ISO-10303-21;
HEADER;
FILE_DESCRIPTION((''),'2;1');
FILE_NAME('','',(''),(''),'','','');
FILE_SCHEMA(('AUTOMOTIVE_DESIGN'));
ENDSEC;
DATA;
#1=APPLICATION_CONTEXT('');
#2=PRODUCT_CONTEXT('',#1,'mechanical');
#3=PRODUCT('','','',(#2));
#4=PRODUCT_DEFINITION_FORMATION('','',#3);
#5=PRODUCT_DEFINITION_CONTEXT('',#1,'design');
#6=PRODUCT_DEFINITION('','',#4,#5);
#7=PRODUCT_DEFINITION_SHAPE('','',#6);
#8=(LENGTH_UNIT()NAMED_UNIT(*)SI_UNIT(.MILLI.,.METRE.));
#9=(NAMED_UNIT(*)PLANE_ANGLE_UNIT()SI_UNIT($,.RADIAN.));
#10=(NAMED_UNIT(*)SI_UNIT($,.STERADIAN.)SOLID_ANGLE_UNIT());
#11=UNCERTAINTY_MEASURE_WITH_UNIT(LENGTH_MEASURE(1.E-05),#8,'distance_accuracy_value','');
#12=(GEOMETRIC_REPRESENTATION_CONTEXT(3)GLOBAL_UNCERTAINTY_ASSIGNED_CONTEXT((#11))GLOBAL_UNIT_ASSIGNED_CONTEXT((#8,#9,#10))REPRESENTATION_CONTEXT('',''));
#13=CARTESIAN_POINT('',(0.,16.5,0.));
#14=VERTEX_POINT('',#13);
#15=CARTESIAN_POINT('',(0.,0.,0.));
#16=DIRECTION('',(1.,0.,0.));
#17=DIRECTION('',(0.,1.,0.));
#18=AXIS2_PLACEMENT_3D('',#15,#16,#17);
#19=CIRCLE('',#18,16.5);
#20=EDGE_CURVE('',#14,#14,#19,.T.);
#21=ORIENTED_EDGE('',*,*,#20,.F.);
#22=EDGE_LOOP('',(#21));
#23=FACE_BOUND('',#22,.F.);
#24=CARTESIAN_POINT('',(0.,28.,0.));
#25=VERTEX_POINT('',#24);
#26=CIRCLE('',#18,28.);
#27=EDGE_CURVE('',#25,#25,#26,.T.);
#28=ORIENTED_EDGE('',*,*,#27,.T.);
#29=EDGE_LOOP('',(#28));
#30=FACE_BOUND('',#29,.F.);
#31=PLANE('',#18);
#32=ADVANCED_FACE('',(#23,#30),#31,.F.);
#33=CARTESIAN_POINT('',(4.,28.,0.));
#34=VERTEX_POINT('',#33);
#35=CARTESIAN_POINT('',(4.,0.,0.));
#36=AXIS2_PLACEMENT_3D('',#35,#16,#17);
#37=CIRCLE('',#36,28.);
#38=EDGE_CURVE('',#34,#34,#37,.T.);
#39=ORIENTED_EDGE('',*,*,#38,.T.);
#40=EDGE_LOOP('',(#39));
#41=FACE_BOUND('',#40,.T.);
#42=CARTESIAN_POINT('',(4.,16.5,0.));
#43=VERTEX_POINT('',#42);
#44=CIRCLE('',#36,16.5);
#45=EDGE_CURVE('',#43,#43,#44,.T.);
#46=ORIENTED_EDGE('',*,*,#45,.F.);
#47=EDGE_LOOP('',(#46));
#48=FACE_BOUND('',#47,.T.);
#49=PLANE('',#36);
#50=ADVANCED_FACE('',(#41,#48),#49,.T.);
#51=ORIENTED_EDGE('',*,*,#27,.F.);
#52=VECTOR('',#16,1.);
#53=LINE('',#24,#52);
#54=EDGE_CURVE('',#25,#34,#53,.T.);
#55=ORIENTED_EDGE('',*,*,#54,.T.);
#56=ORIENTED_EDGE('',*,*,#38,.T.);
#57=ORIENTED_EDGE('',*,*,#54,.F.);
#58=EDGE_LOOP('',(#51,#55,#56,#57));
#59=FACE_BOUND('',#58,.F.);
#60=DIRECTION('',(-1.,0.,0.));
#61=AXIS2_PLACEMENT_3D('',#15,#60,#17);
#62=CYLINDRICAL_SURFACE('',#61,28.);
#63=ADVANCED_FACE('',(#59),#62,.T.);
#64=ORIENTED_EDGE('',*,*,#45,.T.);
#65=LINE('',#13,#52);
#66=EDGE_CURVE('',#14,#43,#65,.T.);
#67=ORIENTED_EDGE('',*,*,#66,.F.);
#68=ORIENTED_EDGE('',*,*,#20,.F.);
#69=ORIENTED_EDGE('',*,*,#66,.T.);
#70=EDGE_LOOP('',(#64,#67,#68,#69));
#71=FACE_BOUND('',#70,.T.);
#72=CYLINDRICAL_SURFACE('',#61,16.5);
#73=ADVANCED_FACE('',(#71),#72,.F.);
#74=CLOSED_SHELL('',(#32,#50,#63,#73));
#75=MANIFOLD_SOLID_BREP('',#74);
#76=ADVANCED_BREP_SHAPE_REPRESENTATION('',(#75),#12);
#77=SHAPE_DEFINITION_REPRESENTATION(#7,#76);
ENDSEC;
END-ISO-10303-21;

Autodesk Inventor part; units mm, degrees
ref_plane "YZ Plane" through (0, 0, 0) normal (1, 0, 0) x (0, 1, 0)
ref_plane "XZ Plane" through (0, 0, 0) normal (0, 1, 0) x (-1, 0, 0)
ref_plane "XY Plane" through (0, 0, 0) normal (0, 0, 1) x (1, 0, 0)
sketch "Sketch" plane through (0, 0, 0) normal (1, 0, 0) x (0, 1, 0)
  circle A0 centre (0, 0) radius 28
  circle A1 centre (0, 0) radius 16.5
  dimension "d0" = 33
  dimension "d1" = 56
extrude "Body" add sketch "Sketch" along normal blind 4
equation "\"d0\" = SD1"
equation "\"d1\" = SD2"
equation "\"d2\" = SD"
equation "\"SD1\" = 33"
equation "\"SD2\" = 56"
equation "\"SD\" = 4"
properties part number "BS 4320 - M30 (Form E)"
